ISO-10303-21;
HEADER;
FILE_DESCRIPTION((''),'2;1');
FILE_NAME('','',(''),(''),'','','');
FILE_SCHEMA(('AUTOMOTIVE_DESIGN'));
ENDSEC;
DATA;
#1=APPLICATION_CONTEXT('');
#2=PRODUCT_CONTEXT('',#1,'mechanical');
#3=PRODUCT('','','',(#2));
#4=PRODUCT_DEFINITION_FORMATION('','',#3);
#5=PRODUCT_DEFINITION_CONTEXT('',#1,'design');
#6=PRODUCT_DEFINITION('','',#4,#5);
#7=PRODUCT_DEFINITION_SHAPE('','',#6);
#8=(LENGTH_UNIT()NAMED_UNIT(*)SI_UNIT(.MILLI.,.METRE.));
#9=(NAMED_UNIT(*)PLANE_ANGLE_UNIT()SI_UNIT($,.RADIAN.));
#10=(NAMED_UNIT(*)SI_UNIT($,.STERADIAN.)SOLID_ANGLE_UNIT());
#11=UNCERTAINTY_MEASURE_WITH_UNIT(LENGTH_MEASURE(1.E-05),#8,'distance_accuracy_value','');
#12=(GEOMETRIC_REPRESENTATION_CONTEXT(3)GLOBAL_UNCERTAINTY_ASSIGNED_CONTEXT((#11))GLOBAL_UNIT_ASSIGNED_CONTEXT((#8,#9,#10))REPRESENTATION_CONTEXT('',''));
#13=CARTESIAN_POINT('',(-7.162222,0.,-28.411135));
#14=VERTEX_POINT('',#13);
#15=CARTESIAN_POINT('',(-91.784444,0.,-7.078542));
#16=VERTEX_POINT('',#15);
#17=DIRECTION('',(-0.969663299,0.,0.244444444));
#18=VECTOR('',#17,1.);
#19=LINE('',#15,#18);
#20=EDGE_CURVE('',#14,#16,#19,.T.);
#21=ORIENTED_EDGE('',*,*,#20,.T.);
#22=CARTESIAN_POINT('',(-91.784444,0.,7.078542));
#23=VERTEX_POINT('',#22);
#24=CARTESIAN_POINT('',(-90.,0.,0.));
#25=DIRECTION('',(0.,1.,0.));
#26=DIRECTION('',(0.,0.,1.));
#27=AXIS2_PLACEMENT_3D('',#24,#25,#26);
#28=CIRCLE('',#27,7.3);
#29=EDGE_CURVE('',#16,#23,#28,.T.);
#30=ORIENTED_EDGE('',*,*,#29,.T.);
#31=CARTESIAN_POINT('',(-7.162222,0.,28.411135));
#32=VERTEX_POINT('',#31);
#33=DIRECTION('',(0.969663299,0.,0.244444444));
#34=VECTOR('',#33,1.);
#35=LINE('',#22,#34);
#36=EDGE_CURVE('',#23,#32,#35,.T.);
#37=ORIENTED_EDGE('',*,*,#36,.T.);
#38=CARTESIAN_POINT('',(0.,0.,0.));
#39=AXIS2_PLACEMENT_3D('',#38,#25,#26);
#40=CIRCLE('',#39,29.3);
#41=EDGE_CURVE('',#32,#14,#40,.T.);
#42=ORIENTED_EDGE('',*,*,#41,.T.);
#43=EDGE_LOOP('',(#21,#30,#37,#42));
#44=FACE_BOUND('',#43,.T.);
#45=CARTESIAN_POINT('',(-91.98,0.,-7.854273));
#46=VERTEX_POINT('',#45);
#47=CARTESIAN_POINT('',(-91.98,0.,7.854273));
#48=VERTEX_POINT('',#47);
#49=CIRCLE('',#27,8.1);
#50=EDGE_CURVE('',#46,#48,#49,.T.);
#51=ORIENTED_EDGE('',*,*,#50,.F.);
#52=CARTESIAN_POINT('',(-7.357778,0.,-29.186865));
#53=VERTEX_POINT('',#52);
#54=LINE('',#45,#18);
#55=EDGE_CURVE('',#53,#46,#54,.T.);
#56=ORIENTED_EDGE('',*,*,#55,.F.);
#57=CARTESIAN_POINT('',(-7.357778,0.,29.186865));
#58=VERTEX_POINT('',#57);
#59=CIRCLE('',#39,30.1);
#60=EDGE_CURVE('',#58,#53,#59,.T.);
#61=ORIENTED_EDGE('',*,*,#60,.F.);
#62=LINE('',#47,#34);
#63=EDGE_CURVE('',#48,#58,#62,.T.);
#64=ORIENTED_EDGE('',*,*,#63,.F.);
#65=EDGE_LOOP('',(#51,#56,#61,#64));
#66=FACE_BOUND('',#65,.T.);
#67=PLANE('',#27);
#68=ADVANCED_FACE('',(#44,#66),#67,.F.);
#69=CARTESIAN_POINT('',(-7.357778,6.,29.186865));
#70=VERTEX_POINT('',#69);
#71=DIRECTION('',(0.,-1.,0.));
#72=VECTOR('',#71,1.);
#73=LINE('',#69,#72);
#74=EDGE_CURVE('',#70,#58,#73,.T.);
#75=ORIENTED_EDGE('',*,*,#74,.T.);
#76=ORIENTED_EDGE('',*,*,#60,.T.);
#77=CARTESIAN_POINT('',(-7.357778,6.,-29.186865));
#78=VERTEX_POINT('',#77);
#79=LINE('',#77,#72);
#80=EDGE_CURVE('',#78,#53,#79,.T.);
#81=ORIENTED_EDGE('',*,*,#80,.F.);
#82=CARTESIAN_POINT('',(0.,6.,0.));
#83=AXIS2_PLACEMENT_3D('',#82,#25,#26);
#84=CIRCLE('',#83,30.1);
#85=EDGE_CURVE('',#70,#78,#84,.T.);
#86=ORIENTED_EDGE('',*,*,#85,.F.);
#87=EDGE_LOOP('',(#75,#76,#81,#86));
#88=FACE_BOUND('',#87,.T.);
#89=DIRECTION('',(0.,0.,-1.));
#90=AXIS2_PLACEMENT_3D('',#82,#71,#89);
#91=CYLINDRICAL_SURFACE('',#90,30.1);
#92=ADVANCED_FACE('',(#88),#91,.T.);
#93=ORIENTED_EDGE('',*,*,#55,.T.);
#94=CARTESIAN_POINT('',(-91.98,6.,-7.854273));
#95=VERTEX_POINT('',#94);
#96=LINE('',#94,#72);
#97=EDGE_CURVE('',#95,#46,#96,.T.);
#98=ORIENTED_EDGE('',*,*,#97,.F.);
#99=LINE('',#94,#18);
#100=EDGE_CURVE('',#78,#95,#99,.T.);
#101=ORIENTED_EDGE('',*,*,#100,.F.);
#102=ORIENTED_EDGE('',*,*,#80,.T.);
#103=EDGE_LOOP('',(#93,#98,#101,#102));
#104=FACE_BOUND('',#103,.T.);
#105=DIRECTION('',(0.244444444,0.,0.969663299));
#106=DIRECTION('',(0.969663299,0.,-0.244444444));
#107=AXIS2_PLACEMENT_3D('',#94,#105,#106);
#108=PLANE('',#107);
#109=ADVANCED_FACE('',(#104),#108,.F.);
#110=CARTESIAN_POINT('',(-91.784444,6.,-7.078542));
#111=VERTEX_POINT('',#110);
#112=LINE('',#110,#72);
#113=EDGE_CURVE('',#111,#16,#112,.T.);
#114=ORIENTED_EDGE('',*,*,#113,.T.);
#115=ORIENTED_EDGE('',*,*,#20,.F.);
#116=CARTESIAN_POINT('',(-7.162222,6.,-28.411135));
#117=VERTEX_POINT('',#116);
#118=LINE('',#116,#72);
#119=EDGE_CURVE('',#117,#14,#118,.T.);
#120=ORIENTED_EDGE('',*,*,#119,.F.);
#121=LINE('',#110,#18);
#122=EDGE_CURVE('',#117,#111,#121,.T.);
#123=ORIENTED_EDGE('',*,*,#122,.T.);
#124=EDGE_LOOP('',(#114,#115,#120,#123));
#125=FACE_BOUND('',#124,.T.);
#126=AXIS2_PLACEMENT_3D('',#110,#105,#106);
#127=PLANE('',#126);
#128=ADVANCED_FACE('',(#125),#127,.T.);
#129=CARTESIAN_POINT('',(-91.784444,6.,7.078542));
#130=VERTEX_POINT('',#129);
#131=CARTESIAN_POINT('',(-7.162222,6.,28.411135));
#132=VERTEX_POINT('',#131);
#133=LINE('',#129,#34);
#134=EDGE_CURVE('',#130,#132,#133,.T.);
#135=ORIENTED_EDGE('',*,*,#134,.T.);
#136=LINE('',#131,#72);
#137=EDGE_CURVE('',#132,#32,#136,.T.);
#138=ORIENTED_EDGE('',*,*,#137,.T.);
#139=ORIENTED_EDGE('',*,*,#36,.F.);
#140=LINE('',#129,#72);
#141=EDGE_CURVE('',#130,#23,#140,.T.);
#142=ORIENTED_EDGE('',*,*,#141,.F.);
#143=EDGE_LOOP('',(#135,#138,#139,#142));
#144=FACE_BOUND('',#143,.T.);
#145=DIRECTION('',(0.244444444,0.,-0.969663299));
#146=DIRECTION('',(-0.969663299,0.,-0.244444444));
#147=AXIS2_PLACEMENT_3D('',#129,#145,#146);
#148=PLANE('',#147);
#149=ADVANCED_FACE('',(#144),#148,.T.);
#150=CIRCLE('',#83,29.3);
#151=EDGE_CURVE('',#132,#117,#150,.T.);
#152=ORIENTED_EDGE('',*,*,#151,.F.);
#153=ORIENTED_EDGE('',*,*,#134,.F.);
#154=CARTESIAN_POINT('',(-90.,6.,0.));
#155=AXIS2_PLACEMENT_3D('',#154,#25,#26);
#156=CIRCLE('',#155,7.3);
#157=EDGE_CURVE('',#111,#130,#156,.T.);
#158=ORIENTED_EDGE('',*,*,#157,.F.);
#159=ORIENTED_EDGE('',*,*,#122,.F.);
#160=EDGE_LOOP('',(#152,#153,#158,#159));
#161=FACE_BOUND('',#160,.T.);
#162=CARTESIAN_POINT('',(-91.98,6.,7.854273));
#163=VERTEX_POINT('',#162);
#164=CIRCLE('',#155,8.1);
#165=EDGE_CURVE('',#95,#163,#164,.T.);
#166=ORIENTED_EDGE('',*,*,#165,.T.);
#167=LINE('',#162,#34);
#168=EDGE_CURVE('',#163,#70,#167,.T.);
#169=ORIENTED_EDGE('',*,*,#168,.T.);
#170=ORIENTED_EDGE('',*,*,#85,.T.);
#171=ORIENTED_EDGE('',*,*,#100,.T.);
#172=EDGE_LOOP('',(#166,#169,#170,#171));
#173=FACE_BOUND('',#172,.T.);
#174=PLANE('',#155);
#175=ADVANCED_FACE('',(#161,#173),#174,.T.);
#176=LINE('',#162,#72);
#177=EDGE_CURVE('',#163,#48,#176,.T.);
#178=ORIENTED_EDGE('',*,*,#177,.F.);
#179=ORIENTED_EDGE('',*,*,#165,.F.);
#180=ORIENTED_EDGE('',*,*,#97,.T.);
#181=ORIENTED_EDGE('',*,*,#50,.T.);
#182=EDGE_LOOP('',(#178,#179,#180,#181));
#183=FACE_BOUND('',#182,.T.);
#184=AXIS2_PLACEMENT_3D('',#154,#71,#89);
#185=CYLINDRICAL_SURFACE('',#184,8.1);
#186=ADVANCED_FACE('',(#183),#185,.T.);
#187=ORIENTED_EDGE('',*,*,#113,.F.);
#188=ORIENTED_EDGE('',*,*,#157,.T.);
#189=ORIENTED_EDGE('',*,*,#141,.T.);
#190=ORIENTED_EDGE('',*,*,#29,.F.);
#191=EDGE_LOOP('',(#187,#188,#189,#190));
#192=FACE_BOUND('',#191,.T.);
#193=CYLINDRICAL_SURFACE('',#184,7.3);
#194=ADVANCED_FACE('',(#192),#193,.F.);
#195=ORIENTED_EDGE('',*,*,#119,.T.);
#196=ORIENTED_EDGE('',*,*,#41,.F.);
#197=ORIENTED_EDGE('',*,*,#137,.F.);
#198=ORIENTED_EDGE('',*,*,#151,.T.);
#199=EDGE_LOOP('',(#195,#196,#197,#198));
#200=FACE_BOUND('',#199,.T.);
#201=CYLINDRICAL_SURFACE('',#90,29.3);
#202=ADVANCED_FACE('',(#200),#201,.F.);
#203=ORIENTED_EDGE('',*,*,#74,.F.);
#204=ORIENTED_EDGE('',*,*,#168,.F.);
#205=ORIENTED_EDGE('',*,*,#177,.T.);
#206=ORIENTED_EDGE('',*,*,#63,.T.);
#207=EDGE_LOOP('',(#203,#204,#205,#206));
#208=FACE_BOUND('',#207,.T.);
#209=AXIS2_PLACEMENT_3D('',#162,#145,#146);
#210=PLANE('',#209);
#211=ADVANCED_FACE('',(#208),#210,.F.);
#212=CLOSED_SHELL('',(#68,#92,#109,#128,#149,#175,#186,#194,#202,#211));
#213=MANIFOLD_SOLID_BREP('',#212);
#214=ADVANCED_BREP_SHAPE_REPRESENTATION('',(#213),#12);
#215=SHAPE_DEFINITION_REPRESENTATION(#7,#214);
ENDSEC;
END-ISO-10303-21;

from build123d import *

# Parameters (mm, degrees)
BOSS_EXTRUDE1_DEPTH = 6


with BuildPart() as part:
    # Sketch1 → Boss-Extrude1 (new body)
    with BuildSketch(Plane(origin=(0, 0, 0), x_dir=(1, 0, 0), z_dir=(0, 1, 0))):
        with BuildLine():
            Line((-91.98, 7.854272723), (-7.357777778, 29.186865302))
            ThreePointArc((-7.357777778, 29.186865302), (30.1, 0), (-7.357777778, -29.186865302))
            Line((-7.357777778, -29.186865302), (-91.98, -7.854272723))
            ThreePointArc((-91.98, -7.854272723), (-98.1, 0), (-91.98, 7.854272723))
        make_face()
        with BuildLine():
            Line((-91.784444444, 7.078542083), (-7.162222222, 28.411134663))
            ThreePointArc((-7.162222222, 28.411134663), (29.3, 0), (-7.162222222, -28.411134663))
            Line((-7.162222222, -28.411134663), (-91.784444444, -7.078542083))
            ThreePointArc((-91.784444444, -7.078542083), (-97.3, 0), (-91.784444444, 7.078542083))
        make_face(mode=Mode.SUBTRACT)
    extrude(amount=BOSS_EXTRUDE1_DEPTH)


solid = part.part
